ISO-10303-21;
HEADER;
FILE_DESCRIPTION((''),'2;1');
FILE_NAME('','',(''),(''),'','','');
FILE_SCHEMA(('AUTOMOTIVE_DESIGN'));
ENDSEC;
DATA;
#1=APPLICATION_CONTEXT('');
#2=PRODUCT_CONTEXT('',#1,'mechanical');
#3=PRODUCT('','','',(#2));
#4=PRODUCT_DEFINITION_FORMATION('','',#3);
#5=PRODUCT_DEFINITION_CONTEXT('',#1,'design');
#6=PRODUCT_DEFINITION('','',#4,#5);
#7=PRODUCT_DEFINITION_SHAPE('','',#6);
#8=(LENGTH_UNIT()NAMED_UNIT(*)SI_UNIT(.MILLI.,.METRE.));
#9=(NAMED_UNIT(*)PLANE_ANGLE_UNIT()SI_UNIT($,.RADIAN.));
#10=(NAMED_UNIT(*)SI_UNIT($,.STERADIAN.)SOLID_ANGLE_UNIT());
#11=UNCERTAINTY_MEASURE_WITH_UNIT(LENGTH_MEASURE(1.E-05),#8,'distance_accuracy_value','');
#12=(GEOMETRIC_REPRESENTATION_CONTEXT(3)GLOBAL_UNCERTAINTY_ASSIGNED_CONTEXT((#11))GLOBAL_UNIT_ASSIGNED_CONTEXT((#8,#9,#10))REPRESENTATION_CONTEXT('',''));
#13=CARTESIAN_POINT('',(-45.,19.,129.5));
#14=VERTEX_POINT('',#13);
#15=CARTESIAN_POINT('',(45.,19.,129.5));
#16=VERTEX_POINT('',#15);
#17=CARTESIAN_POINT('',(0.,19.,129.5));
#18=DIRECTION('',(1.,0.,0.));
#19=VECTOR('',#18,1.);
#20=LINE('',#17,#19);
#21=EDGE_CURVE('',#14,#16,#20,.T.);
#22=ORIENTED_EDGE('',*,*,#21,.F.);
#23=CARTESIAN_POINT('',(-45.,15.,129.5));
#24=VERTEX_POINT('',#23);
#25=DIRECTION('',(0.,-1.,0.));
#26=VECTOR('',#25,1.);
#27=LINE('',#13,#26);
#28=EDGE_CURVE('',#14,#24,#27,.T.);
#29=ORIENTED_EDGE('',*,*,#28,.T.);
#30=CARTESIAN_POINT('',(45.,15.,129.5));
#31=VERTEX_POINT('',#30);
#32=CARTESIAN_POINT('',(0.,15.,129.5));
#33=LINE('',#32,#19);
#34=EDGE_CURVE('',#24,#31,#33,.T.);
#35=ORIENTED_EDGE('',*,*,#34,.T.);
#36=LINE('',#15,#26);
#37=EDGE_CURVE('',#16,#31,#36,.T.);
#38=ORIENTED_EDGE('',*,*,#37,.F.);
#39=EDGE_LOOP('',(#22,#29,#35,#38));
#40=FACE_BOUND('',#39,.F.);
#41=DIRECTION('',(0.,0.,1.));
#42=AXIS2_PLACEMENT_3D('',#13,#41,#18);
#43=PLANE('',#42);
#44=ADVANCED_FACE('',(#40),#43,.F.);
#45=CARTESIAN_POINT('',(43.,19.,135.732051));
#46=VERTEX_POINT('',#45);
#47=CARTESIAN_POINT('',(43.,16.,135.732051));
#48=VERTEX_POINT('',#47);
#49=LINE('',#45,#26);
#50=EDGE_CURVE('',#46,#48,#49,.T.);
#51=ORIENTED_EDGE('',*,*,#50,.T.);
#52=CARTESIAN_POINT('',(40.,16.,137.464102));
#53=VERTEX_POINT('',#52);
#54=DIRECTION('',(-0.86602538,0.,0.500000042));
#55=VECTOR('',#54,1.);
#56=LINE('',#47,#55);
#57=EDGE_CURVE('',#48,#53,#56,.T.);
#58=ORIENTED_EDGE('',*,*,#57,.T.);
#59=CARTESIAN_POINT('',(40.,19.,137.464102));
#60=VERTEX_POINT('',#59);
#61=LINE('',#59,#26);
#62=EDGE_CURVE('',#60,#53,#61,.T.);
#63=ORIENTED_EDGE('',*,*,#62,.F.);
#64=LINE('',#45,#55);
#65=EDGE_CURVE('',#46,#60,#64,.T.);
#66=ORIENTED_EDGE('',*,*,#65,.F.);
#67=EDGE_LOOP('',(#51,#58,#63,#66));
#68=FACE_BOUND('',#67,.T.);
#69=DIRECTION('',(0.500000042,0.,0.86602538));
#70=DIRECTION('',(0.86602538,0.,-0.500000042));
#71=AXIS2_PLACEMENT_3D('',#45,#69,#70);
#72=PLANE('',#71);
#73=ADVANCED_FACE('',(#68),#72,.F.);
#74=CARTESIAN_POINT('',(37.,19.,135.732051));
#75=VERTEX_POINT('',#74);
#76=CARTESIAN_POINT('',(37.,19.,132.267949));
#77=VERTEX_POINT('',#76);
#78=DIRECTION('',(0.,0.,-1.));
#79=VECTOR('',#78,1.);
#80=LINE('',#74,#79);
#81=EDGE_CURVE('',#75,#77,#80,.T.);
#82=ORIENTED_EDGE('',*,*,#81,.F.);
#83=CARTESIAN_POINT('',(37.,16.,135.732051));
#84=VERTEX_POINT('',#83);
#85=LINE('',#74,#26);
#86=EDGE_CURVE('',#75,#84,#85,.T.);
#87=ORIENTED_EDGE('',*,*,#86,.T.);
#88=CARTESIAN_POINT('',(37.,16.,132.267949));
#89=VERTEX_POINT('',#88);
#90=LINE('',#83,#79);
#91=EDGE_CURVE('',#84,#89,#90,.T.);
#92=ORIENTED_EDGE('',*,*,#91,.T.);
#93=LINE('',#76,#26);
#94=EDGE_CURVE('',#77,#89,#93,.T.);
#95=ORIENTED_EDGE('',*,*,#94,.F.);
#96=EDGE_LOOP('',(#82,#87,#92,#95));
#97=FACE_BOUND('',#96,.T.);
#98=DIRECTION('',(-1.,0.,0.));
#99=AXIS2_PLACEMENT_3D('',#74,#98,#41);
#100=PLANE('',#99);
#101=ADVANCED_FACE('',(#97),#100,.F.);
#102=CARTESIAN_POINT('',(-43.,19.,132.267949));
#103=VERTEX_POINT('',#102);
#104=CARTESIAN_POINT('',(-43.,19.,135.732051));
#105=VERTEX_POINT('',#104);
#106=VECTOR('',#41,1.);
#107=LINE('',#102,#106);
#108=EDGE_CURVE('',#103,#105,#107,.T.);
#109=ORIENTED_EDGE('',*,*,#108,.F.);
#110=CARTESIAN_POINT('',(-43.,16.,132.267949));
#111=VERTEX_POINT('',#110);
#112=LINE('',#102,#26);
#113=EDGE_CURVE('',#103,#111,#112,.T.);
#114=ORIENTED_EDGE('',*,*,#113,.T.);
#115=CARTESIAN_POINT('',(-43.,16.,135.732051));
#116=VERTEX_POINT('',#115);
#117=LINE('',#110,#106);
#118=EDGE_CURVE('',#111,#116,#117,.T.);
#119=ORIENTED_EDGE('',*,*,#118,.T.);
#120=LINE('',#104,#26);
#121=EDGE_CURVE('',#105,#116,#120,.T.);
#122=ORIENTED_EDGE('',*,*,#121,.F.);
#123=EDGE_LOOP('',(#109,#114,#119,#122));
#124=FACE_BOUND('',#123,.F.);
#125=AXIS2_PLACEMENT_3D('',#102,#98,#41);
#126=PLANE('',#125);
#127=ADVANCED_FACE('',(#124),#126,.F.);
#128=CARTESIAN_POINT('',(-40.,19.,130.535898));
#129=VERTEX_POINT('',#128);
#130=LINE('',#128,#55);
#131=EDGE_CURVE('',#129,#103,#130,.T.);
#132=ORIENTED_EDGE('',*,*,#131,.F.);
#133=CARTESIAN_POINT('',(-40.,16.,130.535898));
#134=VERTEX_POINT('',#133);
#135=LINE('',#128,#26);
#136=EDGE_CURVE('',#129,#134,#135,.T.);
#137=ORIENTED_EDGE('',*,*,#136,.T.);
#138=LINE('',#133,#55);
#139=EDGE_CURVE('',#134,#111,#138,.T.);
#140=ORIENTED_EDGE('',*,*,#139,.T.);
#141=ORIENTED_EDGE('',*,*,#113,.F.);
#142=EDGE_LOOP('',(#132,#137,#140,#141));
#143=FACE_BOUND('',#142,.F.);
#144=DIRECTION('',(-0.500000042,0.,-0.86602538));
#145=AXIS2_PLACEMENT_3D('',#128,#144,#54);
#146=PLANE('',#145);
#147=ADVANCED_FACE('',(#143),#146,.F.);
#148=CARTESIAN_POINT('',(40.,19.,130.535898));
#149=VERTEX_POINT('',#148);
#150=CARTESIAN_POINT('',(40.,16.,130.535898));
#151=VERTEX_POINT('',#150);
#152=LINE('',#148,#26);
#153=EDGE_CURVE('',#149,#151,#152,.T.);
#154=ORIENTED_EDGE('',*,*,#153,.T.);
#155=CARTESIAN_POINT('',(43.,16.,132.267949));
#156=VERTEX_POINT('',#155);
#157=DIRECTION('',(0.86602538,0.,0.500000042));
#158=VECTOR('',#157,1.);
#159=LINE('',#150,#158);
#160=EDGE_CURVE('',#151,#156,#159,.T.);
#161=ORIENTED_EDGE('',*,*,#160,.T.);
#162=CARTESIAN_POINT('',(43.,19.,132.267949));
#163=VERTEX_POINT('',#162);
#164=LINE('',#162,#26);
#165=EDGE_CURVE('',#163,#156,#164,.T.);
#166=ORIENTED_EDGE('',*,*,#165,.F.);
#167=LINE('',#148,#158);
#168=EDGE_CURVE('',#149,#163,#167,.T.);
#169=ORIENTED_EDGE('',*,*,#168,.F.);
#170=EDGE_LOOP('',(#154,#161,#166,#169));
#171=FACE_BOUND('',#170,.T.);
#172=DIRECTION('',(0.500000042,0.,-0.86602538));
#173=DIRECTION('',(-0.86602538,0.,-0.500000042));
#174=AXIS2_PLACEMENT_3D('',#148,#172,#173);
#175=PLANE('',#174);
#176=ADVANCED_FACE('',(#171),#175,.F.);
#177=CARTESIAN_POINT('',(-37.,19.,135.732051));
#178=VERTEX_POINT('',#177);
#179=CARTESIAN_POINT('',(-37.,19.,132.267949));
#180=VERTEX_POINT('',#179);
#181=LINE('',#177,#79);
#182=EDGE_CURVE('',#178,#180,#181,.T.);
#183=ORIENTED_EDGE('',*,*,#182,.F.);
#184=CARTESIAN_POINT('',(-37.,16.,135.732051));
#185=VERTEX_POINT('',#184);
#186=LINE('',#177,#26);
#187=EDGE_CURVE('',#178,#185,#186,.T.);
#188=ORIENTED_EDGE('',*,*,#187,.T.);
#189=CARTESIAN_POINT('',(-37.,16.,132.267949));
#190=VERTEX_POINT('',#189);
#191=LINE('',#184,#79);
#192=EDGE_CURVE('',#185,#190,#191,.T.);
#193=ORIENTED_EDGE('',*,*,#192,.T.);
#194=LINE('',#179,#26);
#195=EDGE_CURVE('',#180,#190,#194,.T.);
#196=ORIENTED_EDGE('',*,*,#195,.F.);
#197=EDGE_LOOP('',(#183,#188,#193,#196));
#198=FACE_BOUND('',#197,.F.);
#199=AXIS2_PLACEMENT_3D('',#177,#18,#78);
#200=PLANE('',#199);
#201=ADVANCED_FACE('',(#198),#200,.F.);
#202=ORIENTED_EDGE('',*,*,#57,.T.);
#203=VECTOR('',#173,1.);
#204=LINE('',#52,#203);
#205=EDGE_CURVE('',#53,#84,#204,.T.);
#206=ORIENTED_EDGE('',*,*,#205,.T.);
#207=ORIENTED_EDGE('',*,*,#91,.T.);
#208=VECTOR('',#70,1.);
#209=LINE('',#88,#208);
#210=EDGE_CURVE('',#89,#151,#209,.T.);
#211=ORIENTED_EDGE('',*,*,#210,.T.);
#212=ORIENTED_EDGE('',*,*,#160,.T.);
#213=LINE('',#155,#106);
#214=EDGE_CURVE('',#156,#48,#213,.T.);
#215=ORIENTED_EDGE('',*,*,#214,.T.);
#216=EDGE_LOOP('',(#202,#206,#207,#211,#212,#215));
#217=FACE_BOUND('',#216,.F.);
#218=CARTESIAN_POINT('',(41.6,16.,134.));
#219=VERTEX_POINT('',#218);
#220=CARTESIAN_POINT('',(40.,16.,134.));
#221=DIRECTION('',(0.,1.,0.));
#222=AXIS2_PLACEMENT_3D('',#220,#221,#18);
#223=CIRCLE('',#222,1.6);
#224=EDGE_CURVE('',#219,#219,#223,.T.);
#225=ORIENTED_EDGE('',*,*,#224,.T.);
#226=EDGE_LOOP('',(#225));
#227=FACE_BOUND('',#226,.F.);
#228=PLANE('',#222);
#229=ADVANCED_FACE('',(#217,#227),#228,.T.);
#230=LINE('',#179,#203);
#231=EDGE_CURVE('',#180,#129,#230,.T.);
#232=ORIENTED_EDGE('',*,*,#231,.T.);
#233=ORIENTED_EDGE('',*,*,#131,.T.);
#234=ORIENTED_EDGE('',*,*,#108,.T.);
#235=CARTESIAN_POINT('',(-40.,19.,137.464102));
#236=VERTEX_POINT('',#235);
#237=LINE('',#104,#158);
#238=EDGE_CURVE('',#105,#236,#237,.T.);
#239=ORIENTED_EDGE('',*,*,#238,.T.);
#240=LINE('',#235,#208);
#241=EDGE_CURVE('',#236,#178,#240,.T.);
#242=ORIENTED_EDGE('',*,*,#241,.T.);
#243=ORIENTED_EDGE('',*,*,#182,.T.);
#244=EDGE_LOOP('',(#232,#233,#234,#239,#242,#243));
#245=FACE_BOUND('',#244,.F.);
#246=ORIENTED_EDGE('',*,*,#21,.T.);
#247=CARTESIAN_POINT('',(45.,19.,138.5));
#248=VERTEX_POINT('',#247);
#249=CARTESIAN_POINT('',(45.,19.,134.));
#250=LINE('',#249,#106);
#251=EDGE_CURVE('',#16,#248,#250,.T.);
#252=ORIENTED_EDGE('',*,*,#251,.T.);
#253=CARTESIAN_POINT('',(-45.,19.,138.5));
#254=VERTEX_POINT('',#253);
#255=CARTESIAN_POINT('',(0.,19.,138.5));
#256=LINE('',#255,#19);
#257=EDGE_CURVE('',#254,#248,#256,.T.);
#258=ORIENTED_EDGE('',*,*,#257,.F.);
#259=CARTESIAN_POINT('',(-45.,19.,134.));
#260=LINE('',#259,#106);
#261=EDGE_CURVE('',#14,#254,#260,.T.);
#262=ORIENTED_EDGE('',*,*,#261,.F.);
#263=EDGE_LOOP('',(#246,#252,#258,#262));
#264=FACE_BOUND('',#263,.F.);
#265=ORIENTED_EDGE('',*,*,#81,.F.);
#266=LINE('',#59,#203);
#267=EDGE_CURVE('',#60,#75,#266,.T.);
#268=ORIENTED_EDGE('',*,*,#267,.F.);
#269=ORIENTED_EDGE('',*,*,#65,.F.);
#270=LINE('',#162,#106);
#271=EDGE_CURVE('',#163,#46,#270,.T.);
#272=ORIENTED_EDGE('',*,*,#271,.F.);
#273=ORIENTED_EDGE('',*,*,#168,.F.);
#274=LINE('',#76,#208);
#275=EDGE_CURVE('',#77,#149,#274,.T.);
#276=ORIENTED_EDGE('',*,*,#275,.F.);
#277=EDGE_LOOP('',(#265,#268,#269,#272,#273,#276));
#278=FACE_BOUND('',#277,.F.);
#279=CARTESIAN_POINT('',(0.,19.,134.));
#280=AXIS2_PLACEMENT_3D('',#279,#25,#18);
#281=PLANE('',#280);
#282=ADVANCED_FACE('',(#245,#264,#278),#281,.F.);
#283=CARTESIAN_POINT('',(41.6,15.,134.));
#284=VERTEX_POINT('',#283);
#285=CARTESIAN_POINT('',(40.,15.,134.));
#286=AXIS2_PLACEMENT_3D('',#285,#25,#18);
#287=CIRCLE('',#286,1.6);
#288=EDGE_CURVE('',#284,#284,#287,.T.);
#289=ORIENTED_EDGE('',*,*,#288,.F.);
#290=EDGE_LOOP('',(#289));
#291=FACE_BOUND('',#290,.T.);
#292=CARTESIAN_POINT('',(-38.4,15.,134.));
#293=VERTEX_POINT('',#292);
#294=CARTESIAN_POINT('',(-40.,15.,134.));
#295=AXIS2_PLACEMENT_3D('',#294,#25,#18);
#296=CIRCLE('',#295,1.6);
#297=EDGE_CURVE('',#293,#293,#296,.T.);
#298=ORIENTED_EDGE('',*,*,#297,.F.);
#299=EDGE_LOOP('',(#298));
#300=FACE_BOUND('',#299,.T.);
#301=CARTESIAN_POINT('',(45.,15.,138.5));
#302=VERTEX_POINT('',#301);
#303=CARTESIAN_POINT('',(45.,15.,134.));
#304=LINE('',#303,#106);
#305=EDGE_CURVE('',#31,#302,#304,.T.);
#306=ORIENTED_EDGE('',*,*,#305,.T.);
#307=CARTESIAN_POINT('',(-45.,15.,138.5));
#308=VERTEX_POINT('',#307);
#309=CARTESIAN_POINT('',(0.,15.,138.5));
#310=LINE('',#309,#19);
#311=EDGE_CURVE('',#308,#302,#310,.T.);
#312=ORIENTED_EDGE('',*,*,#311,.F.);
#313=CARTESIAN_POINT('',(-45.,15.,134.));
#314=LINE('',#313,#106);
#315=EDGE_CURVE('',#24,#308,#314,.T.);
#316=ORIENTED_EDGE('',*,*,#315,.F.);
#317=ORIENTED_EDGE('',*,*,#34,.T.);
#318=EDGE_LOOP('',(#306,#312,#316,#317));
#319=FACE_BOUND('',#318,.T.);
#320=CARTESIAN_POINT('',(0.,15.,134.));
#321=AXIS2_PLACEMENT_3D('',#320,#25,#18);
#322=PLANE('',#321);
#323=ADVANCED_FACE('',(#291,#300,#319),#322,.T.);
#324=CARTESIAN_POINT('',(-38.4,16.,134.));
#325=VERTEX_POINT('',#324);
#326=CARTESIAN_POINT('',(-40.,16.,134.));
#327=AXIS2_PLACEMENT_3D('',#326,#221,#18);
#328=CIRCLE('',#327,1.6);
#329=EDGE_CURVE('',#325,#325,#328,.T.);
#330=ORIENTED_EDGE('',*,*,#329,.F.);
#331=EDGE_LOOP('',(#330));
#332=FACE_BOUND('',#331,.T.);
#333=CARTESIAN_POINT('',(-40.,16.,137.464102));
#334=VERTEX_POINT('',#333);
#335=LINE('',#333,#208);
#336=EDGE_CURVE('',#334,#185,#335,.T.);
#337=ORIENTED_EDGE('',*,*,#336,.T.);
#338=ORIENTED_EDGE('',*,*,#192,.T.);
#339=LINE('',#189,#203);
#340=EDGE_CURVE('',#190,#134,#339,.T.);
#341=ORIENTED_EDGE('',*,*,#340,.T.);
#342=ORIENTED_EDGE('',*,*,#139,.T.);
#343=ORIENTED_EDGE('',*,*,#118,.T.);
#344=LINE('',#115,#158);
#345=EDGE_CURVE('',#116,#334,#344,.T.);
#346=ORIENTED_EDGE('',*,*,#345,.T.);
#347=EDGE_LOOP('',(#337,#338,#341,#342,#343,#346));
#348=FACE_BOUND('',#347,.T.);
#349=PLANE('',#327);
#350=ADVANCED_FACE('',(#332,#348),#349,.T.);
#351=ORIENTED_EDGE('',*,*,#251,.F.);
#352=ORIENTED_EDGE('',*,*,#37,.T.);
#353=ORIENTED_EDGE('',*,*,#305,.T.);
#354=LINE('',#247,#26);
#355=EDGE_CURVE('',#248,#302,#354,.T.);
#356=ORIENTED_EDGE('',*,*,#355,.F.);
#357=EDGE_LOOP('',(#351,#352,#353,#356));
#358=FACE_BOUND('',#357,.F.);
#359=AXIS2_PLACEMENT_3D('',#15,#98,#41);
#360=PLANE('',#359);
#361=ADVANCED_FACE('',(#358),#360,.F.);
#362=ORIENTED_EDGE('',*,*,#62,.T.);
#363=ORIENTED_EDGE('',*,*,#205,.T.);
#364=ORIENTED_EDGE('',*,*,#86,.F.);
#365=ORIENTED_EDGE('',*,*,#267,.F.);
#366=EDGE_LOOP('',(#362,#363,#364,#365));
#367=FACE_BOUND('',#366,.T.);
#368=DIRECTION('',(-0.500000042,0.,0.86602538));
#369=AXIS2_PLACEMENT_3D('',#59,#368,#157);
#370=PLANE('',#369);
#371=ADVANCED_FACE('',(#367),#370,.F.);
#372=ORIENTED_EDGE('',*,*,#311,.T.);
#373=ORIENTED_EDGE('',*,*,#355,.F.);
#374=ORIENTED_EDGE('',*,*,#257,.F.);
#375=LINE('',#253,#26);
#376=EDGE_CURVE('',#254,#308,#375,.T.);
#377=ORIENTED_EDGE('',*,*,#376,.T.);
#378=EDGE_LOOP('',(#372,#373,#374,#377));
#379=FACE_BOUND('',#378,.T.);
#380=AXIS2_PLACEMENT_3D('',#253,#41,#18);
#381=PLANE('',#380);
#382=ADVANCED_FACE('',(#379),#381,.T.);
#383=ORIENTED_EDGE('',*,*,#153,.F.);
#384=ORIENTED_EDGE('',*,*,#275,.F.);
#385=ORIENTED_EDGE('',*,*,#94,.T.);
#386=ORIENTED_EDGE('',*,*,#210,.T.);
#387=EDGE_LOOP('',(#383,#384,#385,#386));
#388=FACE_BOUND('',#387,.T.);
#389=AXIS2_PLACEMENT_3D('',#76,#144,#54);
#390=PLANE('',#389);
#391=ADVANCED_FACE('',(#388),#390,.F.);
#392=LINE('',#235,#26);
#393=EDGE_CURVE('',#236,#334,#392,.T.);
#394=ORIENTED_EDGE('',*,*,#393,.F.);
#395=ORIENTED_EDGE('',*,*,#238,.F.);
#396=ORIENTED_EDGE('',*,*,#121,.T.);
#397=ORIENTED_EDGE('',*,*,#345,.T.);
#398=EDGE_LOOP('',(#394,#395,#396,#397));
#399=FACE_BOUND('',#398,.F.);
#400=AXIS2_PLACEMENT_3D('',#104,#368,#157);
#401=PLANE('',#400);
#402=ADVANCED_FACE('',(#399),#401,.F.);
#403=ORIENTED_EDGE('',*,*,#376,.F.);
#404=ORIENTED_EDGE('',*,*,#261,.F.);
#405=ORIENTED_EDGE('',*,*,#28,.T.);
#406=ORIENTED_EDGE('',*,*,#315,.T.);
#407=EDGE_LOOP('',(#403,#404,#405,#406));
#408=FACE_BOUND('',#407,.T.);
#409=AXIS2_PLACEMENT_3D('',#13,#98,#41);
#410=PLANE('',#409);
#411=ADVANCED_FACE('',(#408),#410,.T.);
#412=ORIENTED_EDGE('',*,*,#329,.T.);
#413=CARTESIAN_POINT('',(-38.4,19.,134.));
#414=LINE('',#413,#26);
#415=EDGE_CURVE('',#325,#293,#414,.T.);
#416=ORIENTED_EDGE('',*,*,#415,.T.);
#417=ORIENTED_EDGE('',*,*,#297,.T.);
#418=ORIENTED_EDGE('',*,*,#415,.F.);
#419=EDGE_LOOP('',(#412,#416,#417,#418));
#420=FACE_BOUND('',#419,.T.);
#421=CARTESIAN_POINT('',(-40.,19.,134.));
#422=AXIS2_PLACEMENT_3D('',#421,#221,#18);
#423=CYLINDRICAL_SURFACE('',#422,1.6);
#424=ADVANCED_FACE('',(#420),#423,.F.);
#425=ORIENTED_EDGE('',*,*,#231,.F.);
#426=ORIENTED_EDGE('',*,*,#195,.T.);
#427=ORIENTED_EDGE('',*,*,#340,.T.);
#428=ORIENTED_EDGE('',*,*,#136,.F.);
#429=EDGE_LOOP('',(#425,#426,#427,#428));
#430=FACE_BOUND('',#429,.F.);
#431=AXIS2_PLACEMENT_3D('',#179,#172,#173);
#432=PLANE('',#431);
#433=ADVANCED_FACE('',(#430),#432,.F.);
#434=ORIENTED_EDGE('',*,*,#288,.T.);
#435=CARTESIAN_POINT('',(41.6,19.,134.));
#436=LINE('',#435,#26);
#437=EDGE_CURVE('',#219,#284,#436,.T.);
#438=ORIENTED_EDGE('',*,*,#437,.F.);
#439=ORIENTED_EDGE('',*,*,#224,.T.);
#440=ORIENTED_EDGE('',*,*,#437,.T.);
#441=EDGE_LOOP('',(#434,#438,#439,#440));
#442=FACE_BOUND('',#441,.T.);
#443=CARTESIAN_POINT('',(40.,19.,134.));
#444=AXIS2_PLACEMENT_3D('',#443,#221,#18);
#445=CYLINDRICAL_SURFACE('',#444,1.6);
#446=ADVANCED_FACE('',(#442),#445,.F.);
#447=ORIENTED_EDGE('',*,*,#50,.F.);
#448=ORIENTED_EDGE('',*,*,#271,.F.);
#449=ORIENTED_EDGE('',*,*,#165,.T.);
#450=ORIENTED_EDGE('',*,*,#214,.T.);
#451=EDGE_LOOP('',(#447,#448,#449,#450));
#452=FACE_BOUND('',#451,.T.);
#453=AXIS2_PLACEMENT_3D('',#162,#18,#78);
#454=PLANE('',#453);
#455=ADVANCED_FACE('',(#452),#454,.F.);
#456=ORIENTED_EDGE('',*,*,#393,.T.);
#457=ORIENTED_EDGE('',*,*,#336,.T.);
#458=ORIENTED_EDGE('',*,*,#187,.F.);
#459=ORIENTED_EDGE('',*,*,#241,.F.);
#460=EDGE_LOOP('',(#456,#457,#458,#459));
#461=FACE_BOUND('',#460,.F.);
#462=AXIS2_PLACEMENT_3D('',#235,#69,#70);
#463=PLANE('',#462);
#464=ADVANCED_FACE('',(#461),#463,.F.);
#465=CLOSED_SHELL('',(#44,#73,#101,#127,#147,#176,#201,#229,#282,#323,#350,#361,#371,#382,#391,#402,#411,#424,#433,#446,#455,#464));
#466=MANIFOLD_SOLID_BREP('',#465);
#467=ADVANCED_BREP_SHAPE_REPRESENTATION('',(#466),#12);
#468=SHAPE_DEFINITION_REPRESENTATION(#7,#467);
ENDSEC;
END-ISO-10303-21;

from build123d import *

# Parameters (mm, degrees)
SKETCH089_W     = 90
SKETCH089_H     = 9
SKETCH089_R     = 1.6
PAD034_DEPTH    = 4
POCKET055_DEPTH = 3


with BuildPart() as part:
    # Sketch089 → Pad034 (new body)
    with BuildSketch(Plane.XZ):
        with Locations((0, 34)):
            Rectangle(SKETCH089_W, SKETCH089_H)
        with Locations((-40, 34)):
            Circle(SKETCH089_R, mode=Mode.SUBTRACT)
        with Locations((40, 34)):
            Circle(SKETCH089_R, mode=Mode.SUBTRACT)
    extrude(amount=PAD034_DEPTH)

    # Sketch090 (on Face7 of Pad034) → Pocket055 (cut)
    with BuildSketch(Plane(origin=(0, 0, 0), x_dir=(1, 0, 0), z_dir=(0, 1, 0))):
        Polygon((-37, -32.267949), (-40, -30.535898), (-43, -32.267949), (-43, -35.732051), (-40, -37.464102), (-37, -35.732051), align=None)
    pocket055 = extrude(amount=-POCKET055_DEPTH, mode=Mode.SUBTRACT)

    # Mirrored005: Pocket055 across Sketch090 V_Axis
    add(pocket055.mirror(Plane.YZ), mode=Mode.SUBTRACT)


with BuildPart() as part_1:
    # Body012 placement: moved
    add(part.part.moved(Location((0, 19, 100))))


solid = part_1.part
